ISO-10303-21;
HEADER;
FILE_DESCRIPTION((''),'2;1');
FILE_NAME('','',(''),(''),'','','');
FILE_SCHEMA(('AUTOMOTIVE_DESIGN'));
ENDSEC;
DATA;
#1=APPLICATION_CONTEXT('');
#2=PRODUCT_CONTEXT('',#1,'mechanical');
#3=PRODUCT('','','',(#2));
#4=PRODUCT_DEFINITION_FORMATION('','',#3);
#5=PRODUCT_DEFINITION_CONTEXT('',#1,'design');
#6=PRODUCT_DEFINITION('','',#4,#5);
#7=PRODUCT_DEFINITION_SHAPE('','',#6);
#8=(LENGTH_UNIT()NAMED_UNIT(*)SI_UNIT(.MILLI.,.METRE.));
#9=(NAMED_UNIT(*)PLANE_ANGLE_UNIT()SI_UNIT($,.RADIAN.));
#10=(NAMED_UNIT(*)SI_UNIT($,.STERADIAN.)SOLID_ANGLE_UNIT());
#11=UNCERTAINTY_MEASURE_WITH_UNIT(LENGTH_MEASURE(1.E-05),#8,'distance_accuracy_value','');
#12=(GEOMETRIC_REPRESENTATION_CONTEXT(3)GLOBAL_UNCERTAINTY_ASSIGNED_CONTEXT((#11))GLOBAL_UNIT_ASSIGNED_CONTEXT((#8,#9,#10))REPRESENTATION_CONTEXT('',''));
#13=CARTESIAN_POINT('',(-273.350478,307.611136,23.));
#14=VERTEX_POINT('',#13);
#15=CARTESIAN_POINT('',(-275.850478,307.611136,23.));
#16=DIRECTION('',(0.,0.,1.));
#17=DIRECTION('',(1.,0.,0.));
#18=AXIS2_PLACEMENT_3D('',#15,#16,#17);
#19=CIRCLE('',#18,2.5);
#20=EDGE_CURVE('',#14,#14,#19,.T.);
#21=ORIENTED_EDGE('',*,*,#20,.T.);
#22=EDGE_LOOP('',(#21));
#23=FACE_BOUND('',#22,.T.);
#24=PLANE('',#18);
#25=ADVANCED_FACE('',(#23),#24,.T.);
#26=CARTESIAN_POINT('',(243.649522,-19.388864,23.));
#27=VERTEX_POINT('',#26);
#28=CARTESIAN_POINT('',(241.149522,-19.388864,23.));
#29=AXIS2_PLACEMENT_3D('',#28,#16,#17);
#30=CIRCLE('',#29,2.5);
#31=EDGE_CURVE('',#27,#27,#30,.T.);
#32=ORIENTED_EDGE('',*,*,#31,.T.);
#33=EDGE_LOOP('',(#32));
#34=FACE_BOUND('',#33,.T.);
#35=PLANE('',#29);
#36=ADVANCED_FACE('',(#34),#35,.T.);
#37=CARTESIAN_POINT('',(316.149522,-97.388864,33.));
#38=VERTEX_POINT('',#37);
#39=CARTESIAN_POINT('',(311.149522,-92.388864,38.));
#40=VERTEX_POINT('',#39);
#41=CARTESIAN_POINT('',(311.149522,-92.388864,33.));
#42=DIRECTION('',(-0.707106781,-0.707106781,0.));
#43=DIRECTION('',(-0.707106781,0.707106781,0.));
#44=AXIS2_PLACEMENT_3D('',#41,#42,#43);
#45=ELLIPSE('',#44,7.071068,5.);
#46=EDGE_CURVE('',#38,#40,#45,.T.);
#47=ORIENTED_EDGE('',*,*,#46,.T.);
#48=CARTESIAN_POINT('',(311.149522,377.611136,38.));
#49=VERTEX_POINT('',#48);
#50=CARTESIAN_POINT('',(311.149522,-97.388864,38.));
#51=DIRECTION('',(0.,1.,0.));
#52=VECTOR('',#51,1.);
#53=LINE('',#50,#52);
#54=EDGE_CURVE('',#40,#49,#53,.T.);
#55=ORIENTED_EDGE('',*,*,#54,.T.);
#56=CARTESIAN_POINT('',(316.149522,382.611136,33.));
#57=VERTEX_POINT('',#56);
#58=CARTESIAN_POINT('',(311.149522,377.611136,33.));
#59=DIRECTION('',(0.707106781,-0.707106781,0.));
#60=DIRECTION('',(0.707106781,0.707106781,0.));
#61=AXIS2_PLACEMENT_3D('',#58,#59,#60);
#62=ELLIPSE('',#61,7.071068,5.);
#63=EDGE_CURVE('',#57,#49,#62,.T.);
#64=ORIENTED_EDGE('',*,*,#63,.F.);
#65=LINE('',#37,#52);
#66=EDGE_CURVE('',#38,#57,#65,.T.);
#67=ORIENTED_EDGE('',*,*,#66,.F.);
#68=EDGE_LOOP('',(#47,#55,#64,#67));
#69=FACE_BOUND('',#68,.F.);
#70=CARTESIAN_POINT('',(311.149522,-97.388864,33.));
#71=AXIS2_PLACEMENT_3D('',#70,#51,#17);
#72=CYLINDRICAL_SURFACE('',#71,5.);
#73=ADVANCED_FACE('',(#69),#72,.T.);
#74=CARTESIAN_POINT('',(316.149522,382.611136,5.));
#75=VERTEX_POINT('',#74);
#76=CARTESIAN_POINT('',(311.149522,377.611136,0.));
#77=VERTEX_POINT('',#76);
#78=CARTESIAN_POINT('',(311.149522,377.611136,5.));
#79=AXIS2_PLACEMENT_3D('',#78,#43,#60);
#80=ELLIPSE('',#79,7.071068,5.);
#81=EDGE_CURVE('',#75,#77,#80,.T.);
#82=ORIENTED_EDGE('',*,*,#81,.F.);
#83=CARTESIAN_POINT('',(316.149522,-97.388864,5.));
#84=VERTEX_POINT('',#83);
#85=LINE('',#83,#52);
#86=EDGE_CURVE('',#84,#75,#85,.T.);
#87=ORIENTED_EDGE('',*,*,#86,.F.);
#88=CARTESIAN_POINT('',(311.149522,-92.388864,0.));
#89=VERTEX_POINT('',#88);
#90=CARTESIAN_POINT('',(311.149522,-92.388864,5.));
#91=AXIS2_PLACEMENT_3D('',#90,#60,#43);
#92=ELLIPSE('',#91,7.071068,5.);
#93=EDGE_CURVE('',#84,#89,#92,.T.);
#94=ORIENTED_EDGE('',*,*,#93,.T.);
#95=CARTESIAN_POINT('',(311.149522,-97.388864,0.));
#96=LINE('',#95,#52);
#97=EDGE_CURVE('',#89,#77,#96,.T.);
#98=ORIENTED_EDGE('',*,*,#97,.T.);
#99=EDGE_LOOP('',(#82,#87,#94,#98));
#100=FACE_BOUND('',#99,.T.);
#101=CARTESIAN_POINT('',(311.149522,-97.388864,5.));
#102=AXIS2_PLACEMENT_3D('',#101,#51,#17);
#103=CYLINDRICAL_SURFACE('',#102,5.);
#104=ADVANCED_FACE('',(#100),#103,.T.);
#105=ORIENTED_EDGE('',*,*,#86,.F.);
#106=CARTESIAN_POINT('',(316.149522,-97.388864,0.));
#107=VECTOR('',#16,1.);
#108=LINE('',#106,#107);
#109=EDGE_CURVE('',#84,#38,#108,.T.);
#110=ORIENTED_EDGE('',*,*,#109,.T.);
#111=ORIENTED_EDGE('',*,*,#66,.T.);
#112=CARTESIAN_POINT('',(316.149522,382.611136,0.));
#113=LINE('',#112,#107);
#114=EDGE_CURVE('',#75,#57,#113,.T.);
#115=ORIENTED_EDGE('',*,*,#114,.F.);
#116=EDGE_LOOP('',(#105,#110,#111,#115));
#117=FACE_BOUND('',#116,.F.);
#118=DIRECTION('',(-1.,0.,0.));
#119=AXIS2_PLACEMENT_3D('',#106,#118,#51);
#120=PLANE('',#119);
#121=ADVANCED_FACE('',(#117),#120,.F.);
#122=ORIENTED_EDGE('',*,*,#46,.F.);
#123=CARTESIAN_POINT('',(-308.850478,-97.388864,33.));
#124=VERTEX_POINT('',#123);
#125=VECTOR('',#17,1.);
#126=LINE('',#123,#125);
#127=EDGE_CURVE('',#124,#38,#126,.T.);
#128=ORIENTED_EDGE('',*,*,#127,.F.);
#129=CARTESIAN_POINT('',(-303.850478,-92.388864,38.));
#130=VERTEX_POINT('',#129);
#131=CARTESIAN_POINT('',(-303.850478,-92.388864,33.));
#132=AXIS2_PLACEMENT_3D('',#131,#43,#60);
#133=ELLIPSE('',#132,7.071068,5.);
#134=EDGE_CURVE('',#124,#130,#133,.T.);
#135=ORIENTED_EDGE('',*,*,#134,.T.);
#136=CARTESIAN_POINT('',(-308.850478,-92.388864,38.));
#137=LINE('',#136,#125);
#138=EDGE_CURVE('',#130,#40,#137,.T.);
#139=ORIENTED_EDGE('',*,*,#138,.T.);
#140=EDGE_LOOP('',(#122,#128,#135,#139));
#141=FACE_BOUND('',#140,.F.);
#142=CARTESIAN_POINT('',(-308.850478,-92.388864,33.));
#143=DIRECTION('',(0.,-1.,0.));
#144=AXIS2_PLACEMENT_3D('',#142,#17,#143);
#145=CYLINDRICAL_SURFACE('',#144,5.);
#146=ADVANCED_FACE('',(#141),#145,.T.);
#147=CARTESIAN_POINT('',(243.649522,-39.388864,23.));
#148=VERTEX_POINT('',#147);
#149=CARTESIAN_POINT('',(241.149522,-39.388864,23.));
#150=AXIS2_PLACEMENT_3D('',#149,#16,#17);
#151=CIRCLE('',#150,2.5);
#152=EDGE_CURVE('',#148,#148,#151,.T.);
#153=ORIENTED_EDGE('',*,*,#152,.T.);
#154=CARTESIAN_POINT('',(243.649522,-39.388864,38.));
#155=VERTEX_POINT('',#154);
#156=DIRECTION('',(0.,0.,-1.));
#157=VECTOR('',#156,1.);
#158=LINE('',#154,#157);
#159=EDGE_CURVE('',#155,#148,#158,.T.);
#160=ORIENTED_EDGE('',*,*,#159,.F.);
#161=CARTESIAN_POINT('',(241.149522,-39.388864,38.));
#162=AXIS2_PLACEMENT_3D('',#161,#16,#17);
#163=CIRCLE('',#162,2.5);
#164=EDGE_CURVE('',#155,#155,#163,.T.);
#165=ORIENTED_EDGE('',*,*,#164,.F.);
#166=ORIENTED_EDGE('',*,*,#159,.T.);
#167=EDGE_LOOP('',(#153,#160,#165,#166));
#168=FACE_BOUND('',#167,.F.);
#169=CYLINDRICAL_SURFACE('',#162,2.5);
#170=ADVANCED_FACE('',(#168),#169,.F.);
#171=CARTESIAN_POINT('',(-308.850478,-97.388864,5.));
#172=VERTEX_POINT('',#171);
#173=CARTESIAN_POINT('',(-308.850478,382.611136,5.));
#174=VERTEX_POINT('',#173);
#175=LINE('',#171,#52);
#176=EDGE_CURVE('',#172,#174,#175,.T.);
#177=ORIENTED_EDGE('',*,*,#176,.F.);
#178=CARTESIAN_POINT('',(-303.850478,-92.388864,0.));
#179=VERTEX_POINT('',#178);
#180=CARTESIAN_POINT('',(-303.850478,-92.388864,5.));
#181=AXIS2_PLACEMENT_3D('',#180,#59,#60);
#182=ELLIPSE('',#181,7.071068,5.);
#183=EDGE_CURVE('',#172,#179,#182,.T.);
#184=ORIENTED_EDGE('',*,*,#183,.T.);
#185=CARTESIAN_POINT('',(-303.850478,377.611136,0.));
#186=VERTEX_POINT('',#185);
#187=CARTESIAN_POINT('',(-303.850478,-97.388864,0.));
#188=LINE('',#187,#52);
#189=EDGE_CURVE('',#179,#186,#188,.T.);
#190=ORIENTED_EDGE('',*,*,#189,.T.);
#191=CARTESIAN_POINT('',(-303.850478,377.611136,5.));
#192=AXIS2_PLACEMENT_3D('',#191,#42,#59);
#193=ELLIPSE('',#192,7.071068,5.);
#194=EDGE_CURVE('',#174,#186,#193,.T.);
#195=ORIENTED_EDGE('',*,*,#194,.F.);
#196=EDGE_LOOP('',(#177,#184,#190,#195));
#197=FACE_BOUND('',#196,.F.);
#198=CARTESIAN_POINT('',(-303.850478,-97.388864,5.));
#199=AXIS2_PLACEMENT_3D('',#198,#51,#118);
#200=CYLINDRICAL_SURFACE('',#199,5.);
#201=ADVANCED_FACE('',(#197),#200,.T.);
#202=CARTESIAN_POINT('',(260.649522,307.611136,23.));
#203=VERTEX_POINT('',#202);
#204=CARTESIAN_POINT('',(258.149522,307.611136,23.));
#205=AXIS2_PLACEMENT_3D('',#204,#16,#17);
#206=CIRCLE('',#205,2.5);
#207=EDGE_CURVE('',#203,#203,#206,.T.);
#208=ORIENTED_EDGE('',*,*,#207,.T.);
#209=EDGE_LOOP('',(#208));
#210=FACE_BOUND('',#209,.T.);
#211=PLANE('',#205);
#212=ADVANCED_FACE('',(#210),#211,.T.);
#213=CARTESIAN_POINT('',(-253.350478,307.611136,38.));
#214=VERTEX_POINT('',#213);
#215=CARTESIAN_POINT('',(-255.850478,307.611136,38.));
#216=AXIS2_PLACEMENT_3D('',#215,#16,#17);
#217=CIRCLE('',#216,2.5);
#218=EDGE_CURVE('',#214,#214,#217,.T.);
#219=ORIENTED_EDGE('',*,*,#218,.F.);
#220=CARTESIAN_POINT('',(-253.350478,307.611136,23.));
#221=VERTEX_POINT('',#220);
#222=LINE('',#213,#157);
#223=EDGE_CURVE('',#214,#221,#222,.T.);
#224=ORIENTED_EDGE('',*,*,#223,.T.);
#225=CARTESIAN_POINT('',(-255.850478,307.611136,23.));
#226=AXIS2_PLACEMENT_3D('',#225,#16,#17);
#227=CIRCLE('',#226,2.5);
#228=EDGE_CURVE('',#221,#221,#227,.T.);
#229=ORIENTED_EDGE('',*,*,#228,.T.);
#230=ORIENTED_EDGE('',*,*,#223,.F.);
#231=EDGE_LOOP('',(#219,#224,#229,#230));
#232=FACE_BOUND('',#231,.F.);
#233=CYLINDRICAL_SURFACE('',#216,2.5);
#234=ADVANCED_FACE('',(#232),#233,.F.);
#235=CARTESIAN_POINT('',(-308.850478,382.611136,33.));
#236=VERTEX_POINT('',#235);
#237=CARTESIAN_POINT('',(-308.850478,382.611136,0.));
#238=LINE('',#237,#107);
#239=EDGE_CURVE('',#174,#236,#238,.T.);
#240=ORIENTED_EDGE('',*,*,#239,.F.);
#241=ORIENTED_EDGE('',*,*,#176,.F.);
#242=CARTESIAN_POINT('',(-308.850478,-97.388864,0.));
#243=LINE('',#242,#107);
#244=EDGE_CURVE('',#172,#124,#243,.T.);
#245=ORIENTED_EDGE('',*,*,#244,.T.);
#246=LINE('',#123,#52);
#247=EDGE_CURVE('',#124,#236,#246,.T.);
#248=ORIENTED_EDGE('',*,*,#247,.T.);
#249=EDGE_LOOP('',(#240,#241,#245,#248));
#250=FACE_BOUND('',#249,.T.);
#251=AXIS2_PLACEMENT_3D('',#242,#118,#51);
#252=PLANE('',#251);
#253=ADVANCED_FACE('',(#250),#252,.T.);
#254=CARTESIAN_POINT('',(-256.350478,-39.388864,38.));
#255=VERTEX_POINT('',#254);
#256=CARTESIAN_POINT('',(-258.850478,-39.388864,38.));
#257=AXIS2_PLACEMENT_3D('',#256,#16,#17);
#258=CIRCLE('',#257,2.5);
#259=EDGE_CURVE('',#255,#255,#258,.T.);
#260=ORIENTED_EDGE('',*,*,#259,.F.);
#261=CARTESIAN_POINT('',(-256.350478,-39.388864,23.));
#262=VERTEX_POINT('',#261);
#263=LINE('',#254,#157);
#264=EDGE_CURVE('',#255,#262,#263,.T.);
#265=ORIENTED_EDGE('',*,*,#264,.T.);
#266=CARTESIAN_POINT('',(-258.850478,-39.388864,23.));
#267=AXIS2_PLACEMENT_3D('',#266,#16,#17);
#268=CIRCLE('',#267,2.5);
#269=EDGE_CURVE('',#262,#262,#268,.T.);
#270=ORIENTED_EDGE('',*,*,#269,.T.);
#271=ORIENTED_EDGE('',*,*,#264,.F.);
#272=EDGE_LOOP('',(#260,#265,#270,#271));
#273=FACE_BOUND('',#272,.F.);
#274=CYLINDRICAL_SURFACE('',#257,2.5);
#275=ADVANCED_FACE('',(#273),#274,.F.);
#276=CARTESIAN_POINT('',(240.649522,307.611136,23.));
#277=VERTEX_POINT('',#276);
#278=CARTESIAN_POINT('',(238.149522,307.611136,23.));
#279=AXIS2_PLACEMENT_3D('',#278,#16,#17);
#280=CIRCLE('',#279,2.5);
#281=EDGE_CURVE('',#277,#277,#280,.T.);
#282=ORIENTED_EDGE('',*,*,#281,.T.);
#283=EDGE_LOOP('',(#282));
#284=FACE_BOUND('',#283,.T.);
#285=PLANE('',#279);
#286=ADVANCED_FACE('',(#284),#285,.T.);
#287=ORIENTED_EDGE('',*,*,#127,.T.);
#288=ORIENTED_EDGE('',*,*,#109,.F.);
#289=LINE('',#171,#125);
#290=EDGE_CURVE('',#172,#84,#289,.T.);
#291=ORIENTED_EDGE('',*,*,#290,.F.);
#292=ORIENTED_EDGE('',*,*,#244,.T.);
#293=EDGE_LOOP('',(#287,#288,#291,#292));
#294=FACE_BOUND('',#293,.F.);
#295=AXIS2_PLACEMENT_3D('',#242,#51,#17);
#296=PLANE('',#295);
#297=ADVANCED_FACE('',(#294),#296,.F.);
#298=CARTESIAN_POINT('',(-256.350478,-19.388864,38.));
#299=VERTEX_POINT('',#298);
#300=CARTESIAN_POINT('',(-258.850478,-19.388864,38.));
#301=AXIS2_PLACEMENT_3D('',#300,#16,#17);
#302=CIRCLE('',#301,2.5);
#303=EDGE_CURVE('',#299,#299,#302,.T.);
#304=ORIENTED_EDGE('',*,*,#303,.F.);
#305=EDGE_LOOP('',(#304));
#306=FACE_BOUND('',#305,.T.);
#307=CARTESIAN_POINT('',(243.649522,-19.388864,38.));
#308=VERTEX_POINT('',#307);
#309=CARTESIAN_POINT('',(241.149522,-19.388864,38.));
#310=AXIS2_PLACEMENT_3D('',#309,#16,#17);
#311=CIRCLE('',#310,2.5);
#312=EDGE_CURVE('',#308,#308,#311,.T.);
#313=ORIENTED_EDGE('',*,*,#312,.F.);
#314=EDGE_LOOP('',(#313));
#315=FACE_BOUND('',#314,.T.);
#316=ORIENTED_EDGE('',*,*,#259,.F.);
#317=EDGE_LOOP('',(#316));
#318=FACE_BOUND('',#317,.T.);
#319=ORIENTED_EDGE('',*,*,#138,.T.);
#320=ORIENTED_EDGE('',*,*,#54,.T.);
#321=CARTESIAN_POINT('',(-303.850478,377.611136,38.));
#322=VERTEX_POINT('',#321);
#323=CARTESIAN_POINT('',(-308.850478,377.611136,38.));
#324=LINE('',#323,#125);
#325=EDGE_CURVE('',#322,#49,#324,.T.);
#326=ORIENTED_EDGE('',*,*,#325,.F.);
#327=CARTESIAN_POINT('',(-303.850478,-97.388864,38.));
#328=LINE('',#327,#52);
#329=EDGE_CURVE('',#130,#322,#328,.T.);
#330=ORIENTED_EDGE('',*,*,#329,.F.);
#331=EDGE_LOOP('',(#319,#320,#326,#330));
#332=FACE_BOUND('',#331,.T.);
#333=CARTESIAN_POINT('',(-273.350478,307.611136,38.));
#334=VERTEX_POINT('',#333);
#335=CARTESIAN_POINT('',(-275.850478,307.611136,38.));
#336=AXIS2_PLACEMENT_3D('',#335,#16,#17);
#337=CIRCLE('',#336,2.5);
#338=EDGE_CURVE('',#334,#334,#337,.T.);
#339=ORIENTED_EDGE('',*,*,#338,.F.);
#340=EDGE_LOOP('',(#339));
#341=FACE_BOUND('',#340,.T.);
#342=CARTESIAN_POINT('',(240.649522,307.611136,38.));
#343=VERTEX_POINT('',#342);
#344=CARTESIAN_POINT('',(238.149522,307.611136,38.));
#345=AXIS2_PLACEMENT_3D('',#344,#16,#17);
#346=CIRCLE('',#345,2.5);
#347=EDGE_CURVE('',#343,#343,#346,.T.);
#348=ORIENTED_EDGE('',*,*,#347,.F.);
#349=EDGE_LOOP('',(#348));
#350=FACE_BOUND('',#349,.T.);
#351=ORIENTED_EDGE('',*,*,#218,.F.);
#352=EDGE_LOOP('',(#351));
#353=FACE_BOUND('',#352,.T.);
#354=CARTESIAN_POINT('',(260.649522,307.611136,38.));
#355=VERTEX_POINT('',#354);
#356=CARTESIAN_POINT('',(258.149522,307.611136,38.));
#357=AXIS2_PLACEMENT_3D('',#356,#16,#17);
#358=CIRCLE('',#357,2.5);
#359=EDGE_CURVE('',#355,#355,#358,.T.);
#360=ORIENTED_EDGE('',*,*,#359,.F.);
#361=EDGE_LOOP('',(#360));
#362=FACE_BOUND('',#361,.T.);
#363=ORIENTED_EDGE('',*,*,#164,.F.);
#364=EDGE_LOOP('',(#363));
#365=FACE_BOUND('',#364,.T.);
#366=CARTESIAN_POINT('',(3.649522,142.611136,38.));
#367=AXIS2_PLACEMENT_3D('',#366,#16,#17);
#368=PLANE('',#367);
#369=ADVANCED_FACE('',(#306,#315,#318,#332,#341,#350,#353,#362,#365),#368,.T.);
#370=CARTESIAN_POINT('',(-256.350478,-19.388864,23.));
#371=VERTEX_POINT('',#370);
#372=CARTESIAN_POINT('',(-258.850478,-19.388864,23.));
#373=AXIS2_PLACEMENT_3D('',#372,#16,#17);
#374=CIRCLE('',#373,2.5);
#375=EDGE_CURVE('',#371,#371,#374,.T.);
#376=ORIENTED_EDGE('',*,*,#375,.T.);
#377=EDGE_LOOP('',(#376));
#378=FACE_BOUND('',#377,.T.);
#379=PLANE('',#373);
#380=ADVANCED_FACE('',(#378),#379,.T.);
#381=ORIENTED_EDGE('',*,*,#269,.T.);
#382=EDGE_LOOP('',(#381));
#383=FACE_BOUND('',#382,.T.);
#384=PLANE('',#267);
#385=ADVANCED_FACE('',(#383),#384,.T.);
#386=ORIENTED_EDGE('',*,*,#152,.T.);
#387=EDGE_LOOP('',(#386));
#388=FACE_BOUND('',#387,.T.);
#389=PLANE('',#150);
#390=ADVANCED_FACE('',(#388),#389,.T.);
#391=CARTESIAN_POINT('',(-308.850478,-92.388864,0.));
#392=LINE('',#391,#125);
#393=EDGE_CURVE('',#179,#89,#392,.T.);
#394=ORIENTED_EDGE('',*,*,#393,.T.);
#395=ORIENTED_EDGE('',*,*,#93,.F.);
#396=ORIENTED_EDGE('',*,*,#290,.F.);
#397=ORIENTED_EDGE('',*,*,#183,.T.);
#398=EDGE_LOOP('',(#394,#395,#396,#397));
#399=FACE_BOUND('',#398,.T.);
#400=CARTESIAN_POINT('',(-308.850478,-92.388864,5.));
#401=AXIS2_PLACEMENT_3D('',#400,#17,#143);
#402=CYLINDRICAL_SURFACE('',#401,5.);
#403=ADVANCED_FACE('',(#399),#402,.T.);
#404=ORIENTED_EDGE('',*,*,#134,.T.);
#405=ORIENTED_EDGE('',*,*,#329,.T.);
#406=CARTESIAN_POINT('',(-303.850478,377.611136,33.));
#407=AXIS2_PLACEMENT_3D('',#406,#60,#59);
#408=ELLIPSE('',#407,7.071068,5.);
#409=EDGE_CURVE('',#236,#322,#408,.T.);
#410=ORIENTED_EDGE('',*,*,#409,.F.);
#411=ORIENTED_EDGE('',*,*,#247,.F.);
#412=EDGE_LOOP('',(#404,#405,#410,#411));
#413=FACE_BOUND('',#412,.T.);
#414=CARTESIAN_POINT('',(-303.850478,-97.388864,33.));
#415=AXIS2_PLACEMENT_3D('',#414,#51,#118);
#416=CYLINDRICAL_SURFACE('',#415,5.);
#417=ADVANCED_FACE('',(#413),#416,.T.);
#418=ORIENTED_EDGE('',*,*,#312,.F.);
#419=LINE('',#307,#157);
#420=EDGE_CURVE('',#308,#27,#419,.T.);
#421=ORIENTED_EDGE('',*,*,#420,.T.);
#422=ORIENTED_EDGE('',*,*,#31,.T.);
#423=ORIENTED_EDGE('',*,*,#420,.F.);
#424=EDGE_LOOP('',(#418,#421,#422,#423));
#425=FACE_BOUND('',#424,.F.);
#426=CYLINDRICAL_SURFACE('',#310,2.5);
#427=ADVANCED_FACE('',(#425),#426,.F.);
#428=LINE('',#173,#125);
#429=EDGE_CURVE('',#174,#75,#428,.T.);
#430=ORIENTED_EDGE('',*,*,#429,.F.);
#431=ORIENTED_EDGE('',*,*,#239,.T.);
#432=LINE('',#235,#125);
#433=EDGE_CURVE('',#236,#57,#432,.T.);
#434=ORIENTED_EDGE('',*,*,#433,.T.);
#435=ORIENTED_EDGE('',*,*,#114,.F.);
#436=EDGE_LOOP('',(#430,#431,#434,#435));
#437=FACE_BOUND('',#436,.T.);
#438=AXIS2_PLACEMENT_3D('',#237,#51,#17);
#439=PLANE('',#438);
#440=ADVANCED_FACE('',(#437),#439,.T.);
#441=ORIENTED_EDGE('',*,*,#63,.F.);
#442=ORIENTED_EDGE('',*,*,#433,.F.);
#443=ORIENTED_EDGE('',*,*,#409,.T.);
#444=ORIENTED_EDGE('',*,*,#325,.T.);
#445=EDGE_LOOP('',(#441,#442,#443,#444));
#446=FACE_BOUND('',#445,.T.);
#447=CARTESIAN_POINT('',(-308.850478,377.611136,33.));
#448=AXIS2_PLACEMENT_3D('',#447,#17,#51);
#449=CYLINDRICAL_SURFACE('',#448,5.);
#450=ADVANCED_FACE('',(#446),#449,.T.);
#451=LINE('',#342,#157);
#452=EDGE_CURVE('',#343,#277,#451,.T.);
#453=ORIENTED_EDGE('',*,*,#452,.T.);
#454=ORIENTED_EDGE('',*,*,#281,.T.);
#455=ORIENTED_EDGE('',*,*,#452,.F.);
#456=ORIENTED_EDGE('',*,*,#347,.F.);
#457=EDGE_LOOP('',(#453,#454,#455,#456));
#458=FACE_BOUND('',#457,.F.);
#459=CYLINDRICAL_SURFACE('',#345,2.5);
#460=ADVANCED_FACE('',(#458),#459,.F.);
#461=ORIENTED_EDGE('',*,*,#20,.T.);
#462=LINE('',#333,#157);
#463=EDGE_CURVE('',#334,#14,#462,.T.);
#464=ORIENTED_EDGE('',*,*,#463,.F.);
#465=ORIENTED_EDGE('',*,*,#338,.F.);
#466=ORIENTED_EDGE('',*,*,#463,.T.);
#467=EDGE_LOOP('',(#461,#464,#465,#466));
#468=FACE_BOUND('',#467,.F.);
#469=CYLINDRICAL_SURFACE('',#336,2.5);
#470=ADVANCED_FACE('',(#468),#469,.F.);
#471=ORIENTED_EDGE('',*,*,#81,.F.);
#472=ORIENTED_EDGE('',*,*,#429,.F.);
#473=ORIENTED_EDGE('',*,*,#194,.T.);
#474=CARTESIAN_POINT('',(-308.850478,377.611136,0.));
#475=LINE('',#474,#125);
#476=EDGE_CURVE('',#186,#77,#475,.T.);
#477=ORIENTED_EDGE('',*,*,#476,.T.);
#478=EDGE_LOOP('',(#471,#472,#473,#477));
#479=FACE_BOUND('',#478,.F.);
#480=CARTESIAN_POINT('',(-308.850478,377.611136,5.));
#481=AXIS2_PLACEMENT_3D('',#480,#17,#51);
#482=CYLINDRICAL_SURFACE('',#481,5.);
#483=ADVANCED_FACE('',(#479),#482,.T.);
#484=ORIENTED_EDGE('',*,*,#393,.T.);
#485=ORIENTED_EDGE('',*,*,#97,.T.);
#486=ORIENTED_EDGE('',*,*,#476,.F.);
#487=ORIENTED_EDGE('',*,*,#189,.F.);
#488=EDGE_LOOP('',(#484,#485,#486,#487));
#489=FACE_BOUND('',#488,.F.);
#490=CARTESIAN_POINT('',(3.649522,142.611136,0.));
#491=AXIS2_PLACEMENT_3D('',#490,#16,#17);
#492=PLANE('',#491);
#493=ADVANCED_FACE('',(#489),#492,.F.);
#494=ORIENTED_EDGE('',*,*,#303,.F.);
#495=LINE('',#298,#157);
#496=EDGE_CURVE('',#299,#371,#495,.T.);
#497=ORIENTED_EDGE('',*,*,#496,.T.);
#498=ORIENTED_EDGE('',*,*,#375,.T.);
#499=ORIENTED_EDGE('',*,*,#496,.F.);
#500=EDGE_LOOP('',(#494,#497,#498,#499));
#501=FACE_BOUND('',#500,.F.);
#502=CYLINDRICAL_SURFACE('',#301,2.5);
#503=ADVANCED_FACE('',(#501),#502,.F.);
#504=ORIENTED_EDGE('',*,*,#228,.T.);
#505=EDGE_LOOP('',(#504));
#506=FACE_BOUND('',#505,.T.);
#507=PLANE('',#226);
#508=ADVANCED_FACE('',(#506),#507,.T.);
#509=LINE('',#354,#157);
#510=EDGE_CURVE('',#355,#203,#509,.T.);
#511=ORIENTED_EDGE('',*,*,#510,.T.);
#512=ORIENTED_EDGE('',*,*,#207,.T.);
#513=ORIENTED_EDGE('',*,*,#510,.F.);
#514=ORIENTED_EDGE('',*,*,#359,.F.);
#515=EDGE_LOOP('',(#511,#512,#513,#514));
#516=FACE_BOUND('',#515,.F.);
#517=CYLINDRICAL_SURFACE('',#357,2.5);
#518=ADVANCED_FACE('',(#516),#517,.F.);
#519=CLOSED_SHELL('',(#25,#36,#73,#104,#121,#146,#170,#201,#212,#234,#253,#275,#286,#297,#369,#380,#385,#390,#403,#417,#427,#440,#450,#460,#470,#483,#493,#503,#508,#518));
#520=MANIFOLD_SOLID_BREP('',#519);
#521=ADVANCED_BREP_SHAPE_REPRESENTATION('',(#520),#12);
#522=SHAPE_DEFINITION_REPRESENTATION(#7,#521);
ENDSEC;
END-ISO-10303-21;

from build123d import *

# Parameters (mm, degrees)
F0_W     = 625
F0_H     = 480
F1_DEPTH = 38
F2_R     = 5
F3_R     = 2.5
F4_DEPTH = 15


with BuildPart() as f1:
    # F0 (on Top) → F1 (new body)
    with BuildSketch(Plane.XY):
        with Locations((3.649522, 142.611136)):
            Rectangle(F0_W, F0_H)
    extrude(amount=F1_DEPTH)

    # F2
    f2_edges = [f1.edges().sort_by_distance(p)[0] for p in [
        (316.149522, 142.611136, 38),
        (3.649522, 382.611136, 38),
        (-308.850478, 142.611136, 38),
        (3.649522, -97.388864, 38),
        (316.149522, 142.611136, 0),
        (3.649522, 382.611136, 0),
        (-308.850478, 142.611136, 0),
        (3.649522, -97.388864, 0),
    ]]
    fillet(f2_edges, radius=F2_R)

    # F3 (on face) → F4 (cut)
    with BuildSketch(Plane.XY.offset(38)):
        with Locations((-275.850478, 307.611136)):
            Circle(F3_R)
        with Locations((-255.850478, 307.611136)):
            Circle(F3_R)
        with Locations((-258.850478, -39.388864)):
            Circle(F3_R)
        with Locations((-258.850478, -19.388864)):
            Circle(F3_R)
        with Locations((238.149522, 307.611136)):
            Circle(F3_R)
        with Locations((258.149522, 307.611136)):
            Circle(F3_R)
        with Locations((241.149522, -19.388864)):
            Circle(F3_R)
        with Locations((241.149522, -39.388864)):
            Circle(F3_R)
    extrude(amount=-F4_DEPTH, mode=Mode.SUBTRACT)


solid = f1.part
